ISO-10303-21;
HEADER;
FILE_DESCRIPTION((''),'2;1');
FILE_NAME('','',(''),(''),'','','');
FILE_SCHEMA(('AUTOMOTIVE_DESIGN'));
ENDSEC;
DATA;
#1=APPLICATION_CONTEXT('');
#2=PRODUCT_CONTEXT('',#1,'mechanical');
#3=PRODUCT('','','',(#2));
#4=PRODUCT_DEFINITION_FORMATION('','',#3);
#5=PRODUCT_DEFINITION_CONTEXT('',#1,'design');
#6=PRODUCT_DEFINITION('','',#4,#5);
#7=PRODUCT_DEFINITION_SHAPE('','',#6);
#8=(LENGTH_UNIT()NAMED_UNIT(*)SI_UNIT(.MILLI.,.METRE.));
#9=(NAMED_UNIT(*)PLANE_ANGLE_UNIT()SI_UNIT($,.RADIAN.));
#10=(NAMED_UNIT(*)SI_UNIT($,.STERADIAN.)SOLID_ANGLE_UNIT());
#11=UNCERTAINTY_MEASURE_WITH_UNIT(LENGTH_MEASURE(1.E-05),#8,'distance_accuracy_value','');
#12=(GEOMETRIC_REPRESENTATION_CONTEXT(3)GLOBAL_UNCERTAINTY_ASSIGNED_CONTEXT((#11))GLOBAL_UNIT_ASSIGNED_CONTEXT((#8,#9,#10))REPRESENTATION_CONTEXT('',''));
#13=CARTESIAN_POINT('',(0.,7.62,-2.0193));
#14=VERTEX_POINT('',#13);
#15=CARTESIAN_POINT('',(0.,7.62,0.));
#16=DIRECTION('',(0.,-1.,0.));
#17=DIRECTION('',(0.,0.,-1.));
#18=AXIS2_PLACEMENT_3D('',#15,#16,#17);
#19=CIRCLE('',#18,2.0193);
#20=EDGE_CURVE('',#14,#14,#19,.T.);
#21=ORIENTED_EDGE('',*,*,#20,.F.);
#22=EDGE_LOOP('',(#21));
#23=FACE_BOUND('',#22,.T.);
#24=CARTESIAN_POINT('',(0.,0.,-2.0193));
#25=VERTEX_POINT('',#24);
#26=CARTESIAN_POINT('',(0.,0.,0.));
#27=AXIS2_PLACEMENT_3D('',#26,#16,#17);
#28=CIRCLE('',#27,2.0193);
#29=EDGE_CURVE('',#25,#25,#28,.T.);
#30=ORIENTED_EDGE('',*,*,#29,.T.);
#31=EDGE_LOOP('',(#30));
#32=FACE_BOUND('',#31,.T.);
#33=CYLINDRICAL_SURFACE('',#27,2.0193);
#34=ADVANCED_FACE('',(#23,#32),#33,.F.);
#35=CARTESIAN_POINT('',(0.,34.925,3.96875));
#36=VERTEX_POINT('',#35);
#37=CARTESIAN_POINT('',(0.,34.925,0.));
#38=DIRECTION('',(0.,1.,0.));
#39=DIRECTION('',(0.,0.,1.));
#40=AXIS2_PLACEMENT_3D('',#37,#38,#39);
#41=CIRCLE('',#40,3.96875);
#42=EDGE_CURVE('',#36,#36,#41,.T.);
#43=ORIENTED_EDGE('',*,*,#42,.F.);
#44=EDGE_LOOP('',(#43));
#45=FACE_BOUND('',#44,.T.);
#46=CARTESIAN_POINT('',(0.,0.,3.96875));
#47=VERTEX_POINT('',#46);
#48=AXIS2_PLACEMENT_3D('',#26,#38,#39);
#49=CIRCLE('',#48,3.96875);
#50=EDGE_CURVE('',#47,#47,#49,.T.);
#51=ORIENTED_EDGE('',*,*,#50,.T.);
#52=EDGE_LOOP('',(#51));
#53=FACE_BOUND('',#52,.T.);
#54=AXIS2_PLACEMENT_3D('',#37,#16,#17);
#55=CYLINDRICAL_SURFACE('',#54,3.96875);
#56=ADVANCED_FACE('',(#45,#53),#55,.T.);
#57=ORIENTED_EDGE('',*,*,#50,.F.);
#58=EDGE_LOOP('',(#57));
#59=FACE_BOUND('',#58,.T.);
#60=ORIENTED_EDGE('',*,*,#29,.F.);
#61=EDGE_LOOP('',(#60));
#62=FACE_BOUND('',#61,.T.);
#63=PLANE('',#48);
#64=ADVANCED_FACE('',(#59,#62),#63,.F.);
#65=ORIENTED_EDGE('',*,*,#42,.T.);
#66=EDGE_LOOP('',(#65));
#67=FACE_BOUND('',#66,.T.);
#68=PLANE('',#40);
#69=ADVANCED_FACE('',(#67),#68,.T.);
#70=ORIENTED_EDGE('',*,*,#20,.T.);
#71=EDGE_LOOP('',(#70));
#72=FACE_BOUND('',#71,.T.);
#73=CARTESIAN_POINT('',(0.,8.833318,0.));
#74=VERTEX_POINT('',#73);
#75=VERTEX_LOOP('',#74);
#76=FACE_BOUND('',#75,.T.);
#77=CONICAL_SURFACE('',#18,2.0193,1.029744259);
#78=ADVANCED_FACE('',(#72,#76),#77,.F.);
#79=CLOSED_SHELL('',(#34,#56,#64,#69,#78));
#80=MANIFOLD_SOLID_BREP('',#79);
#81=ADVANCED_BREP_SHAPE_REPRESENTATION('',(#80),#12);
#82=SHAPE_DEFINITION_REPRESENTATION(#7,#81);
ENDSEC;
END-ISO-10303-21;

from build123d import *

# Parameters (mm, degrees)
SKETCH1_R                  = 3.96875
BOSS_EXTRUDE1_DEPTH        = 34.925
F_10_32_TAPPED_HOLE1_D     = 4.0386
F_10_32_TAPPED_HOLE1_DEPTH = 7.62
F_10_32_TAPPED_HOLE1_TIP   = 1.213317848


with BuildPart() as part:
    # Sketch1 → Boss-Extrude1 (new body)
    with BuildSketch(Plane(origin=(0, 0, 0), x_dir=(1, 0, 0), z_dir=(0, 1, 0))):
        with Locations(Location((0, 0, 0), (0, 0, 270))):
            Circle(SKETCH1_R)
    extrude(amount=BOSS_EXTRUDE1_DEPTH)

    # #10-32 Tapped Hole1
    with Locations(Plane(origin=(0, 0, 0), x_dir=(-1, 0, 0), z_dir=(0, -1, 0))):
        with Locations((0, 0)):
            Hole(F_10_32_TAPPED_HOLE1_D / 2, depth=F_10_32_TAPPED_HOLE1_DEPTH)
            with Locations((0, 0, -(F_10_32_TAPPED_HOLE1_DEPTH + F_10_32_TAPPED_HOLE1_TIP / 2))):  # 118° drill point
                Cone(0, F_10_32_TAPPED_HOLE1_D / 2, F_10_32_TAPPED_HOLE1_TIP, mode=Mode.SUBTRACT)


solid = part.part
